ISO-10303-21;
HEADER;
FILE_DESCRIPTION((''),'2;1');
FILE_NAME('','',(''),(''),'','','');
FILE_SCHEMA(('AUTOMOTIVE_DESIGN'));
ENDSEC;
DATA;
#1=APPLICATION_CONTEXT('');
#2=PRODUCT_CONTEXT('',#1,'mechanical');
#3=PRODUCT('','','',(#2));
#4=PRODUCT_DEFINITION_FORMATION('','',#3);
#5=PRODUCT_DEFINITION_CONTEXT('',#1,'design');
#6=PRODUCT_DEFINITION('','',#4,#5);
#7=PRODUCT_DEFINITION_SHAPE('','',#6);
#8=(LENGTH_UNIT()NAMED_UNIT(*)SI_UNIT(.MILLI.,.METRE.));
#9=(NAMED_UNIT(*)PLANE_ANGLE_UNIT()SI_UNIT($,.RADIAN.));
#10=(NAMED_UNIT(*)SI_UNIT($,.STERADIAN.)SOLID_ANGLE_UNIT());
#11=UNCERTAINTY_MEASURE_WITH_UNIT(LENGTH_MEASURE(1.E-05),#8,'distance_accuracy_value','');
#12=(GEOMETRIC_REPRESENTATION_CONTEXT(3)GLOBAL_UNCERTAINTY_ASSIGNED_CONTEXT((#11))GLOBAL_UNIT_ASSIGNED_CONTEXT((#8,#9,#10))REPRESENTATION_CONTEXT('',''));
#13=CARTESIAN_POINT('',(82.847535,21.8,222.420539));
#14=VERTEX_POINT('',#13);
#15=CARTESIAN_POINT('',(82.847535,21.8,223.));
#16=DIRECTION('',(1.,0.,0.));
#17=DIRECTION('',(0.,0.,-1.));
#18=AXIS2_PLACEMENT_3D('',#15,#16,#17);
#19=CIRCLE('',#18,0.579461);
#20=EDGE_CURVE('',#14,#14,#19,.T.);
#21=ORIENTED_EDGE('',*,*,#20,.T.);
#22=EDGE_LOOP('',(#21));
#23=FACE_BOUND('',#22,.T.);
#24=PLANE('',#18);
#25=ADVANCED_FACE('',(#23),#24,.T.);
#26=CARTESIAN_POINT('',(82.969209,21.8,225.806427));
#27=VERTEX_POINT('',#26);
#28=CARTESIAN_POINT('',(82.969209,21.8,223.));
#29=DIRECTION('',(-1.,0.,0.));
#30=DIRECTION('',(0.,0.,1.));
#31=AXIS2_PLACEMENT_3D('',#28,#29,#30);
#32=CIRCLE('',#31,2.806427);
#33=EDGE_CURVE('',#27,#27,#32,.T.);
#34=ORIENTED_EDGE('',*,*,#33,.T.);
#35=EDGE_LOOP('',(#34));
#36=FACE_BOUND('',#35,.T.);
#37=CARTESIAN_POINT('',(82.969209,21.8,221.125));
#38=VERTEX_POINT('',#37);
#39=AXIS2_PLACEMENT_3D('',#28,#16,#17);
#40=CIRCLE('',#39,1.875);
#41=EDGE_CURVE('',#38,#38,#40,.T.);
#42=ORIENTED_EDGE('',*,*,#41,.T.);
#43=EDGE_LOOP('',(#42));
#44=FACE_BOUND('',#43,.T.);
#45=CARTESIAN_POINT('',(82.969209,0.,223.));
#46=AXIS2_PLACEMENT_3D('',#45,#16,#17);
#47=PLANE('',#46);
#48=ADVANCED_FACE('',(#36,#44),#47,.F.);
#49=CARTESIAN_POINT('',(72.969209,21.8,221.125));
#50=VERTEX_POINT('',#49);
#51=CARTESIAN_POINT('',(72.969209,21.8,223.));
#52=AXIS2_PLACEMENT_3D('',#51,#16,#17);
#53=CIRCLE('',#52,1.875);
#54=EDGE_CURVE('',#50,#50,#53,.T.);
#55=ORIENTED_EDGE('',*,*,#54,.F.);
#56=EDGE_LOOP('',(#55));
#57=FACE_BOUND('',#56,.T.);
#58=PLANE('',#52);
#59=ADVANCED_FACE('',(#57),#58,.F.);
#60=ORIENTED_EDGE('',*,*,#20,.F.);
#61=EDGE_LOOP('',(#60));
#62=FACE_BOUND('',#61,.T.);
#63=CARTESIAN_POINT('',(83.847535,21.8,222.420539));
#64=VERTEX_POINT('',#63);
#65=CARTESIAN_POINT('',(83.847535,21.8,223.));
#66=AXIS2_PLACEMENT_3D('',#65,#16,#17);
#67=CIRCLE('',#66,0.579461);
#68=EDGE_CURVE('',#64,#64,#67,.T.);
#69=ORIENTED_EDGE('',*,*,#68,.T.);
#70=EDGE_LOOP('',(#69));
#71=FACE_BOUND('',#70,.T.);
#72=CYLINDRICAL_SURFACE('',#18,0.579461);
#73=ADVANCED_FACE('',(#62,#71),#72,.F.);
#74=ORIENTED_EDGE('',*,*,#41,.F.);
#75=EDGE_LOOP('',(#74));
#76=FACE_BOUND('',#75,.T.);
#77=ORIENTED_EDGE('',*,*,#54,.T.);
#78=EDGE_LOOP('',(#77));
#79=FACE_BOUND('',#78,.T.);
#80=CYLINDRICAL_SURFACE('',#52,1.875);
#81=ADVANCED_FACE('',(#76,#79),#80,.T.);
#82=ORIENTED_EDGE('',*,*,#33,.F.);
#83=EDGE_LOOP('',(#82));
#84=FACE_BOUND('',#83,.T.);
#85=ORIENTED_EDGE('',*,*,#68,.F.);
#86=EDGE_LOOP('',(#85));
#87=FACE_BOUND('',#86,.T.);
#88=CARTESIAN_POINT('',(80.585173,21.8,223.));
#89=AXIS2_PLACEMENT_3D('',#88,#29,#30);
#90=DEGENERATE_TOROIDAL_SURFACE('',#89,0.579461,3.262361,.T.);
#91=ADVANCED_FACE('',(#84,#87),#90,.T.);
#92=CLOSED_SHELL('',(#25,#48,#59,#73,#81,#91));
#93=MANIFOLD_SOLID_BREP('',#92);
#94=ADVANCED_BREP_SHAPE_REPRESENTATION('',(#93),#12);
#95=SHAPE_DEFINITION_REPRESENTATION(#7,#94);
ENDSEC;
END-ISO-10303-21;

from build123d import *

# Parameters (mm, degrees)
SKETCH1_R           = 1.875
BOSS_EXTRUDE1_DEPTH = 10
SKETCH3_R           = 0.579460837
CUT_EXTRUDE1_DEPTH  = 1


with BuildPart() as part:
    # Sketch1 → Boss-Extrude1 (new body)
    with BuildSketch(Plane(origin=(82.969208633, 0, 0), x_dir=(0, 0, -1), z_dir=(1, 0, 0))):
        with Locations((-223, 21.8)):
            Circle(SKETCH1_R)
    extrude(amount=-BOSS_EXTRUDE1_DEPTH)

    # Sketch2 → Revolve1 (revolve)
    with BuildSketch(Plane.XY.offset(223)):
        with BuildLine():
            Line((83.847534734, 21.8), (82.969208633, 21.8))
            Line((82.969208633, 21.8), (82.969208633, 19.925))
            Line((82.969208633, 19.925), (82.969208633, 18.993573117))
            ThreePointArc((82.969208633, 18.993573117), (83.620019841, 20.02358109), (83.847534734, 21.220539163))
            Line((83.847534734, 21.220539163), (83.847534734, 21.8))
        make_face()
    revolve(axis=Axis((82.969208633, 21.8, 223), (1, 0, 0)))

    # Sketch3 → Cut-Extrude1 (cut)
    with BuildSketch(Plane(origin=(83.847534734, 0, 0), x_dir=(0, 0, -1), z_dir=(1, 0, 0))):
        with Locations((-223, 21.8)):
            Circle(SKETCH3_R)
    extrude(amount=-CUT_EXTRUDE1_DEPTH, mode=Mode.SUBTRACT)


solid = part.part
